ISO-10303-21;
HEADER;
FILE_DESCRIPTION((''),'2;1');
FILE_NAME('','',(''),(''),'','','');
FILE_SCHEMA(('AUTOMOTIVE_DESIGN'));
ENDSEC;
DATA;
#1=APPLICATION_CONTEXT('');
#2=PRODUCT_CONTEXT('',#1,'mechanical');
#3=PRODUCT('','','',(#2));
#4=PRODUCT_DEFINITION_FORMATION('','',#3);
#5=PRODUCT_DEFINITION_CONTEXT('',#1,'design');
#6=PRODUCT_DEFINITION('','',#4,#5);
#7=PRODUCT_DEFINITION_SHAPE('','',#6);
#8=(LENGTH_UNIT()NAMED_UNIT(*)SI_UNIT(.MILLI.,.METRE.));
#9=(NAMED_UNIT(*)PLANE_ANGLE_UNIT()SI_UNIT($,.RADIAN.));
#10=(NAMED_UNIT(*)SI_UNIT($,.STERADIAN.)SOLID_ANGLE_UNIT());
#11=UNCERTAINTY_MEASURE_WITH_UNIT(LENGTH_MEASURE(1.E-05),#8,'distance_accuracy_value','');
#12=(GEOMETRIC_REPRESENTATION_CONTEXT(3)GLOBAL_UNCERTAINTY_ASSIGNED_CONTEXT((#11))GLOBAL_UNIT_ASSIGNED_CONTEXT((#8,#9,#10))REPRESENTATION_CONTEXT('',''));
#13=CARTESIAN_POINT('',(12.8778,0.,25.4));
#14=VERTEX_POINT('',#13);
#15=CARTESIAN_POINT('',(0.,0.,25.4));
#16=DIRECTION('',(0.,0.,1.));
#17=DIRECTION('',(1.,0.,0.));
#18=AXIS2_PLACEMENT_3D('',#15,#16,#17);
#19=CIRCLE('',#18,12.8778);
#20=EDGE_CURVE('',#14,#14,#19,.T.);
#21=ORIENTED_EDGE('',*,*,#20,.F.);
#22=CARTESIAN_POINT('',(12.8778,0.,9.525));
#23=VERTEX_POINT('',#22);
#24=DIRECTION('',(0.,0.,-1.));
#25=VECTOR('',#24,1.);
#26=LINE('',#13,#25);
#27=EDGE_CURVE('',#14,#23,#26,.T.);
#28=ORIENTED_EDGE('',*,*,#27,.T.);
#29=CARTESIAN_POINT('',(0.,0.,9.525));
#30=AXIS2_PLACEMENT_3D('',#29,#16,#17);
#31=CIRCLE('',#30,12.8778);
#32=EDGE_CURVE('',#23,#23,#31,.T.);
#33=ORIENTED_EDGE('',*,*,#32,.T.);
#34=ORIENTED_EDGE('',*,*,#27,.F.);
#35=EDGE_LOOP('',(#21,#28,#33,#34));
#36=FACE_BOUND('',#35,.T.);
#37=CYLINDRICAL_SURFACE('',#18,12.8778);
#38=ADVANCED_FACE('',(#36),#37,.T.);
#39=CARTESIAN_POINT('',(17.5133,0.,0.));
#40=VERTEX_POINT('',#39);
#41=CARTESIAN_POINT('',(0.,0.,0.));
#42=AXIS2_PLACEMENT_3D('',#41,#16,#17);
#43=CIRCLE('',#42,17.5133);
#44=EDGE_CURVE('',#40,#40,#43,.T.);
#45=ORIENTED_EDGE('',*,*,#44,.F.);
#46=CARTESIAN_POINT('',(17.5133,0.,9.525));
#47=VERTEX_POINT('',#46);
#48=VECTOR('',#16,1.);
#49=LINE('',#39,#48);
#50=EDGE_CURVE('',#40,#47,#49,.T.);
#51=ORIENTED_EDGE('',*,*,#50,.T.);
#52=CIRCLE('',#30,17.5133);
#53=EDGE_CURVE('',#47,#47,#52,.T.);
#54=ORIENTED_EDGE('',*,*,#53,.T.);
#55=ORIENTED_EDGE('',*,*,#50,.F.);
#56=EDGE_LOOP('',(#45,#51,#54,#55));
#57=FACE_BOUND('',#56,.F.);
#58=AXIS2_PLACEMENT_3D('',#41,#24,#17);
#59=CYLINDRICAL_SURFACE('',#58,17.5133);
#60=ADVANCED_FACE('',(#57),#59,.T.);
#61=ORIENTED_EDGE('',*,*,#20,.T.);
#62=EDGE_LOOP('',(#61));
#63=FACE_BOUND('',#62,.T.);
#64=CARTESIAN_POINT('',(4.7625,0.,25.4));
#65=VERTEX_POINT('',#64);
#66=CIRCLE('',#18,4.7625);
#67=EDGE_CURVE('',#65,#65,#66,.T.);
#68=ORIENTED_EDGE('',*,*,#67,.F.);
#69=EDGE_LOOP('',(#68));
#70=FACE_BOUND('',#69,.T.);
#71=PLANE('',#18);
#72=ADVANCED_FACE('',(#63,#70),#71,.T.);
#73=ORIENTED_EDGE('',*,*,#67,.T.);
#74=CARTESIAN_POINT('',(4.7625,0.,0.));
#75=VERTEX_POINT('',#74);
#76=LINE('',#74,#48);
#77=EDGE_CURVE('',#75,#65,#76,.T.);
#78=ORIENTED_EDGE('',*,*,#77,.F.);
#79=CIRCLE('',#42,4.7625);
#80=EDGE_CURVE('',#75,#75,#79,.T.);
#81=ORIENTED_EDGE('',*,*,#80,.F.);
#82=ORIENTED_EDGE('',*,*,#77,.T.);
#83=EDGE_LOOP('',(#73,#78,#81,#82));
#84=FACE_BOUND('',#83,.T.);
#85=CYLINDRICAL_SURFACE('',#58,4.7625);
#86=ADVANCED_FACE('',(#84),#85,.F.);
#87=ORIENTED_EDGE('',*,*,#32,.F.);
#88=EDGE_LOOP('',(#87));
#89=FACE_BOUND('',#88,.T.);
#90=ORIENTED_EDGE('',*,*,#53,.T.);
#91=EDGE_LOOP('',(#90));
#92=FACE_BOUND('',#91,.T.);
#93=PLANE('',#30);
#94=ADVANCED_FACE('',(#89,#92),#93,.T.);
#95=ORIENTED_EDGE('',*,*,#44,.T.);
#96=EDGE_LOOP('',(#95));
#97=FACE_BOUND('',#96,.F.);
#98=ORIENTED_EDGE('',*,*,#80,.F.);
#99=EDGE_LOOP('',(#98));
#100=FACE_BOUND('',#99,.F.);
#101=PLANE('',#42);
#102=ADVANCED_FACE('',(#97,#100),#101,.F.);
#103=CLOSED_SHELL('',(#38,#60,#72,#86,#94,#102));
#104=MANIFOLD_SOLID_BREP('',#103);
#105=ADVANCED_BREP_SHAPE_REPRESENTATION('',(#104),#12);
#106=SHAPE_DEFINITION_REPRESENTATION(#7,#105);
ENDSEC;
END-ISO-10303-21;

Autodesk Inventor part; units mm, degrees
ref_plane "YZ Plane" through (0, 0, 0) normal (1, 0, 0) x (0, 1, 0)
ref_plane "XZ Plane" through (0, 0, 0) normal (0, 1, 0) x (-1, 0, 0)
ref_plane "XY Plane" through (0, 0, 0) normal (0, 0, 1) x (1, 0, 0)
sketch "Sketch1" plane through (0, 0, 0) normal (0, 0, 1) x (1, 0, 0)
  circle A0 centre (0, 0) radius 17.5133
  circle A1 centre (0, 0) radius 4.7625
  dimension "d0" = 35.0266
  dimension "d1" = 9.525
extrude "Extrusion1" add sketch "Sketch1" along normal blind 25.4
sketch "Sketch2" plane through (0, 0, 25.4) normal (0, 0, 1) x (1, 0, 0)
  circle A0 centre (0, 0) radius 17.5133 projected
  circle A1 centre (0, 0) radius 12.8778
  dimension "d4" = 25.7556
extrude "Extrusion2" cut sketch "Sketch2" against normal blind 15.875
properties part number "10 th sprocket" material "Steel"
